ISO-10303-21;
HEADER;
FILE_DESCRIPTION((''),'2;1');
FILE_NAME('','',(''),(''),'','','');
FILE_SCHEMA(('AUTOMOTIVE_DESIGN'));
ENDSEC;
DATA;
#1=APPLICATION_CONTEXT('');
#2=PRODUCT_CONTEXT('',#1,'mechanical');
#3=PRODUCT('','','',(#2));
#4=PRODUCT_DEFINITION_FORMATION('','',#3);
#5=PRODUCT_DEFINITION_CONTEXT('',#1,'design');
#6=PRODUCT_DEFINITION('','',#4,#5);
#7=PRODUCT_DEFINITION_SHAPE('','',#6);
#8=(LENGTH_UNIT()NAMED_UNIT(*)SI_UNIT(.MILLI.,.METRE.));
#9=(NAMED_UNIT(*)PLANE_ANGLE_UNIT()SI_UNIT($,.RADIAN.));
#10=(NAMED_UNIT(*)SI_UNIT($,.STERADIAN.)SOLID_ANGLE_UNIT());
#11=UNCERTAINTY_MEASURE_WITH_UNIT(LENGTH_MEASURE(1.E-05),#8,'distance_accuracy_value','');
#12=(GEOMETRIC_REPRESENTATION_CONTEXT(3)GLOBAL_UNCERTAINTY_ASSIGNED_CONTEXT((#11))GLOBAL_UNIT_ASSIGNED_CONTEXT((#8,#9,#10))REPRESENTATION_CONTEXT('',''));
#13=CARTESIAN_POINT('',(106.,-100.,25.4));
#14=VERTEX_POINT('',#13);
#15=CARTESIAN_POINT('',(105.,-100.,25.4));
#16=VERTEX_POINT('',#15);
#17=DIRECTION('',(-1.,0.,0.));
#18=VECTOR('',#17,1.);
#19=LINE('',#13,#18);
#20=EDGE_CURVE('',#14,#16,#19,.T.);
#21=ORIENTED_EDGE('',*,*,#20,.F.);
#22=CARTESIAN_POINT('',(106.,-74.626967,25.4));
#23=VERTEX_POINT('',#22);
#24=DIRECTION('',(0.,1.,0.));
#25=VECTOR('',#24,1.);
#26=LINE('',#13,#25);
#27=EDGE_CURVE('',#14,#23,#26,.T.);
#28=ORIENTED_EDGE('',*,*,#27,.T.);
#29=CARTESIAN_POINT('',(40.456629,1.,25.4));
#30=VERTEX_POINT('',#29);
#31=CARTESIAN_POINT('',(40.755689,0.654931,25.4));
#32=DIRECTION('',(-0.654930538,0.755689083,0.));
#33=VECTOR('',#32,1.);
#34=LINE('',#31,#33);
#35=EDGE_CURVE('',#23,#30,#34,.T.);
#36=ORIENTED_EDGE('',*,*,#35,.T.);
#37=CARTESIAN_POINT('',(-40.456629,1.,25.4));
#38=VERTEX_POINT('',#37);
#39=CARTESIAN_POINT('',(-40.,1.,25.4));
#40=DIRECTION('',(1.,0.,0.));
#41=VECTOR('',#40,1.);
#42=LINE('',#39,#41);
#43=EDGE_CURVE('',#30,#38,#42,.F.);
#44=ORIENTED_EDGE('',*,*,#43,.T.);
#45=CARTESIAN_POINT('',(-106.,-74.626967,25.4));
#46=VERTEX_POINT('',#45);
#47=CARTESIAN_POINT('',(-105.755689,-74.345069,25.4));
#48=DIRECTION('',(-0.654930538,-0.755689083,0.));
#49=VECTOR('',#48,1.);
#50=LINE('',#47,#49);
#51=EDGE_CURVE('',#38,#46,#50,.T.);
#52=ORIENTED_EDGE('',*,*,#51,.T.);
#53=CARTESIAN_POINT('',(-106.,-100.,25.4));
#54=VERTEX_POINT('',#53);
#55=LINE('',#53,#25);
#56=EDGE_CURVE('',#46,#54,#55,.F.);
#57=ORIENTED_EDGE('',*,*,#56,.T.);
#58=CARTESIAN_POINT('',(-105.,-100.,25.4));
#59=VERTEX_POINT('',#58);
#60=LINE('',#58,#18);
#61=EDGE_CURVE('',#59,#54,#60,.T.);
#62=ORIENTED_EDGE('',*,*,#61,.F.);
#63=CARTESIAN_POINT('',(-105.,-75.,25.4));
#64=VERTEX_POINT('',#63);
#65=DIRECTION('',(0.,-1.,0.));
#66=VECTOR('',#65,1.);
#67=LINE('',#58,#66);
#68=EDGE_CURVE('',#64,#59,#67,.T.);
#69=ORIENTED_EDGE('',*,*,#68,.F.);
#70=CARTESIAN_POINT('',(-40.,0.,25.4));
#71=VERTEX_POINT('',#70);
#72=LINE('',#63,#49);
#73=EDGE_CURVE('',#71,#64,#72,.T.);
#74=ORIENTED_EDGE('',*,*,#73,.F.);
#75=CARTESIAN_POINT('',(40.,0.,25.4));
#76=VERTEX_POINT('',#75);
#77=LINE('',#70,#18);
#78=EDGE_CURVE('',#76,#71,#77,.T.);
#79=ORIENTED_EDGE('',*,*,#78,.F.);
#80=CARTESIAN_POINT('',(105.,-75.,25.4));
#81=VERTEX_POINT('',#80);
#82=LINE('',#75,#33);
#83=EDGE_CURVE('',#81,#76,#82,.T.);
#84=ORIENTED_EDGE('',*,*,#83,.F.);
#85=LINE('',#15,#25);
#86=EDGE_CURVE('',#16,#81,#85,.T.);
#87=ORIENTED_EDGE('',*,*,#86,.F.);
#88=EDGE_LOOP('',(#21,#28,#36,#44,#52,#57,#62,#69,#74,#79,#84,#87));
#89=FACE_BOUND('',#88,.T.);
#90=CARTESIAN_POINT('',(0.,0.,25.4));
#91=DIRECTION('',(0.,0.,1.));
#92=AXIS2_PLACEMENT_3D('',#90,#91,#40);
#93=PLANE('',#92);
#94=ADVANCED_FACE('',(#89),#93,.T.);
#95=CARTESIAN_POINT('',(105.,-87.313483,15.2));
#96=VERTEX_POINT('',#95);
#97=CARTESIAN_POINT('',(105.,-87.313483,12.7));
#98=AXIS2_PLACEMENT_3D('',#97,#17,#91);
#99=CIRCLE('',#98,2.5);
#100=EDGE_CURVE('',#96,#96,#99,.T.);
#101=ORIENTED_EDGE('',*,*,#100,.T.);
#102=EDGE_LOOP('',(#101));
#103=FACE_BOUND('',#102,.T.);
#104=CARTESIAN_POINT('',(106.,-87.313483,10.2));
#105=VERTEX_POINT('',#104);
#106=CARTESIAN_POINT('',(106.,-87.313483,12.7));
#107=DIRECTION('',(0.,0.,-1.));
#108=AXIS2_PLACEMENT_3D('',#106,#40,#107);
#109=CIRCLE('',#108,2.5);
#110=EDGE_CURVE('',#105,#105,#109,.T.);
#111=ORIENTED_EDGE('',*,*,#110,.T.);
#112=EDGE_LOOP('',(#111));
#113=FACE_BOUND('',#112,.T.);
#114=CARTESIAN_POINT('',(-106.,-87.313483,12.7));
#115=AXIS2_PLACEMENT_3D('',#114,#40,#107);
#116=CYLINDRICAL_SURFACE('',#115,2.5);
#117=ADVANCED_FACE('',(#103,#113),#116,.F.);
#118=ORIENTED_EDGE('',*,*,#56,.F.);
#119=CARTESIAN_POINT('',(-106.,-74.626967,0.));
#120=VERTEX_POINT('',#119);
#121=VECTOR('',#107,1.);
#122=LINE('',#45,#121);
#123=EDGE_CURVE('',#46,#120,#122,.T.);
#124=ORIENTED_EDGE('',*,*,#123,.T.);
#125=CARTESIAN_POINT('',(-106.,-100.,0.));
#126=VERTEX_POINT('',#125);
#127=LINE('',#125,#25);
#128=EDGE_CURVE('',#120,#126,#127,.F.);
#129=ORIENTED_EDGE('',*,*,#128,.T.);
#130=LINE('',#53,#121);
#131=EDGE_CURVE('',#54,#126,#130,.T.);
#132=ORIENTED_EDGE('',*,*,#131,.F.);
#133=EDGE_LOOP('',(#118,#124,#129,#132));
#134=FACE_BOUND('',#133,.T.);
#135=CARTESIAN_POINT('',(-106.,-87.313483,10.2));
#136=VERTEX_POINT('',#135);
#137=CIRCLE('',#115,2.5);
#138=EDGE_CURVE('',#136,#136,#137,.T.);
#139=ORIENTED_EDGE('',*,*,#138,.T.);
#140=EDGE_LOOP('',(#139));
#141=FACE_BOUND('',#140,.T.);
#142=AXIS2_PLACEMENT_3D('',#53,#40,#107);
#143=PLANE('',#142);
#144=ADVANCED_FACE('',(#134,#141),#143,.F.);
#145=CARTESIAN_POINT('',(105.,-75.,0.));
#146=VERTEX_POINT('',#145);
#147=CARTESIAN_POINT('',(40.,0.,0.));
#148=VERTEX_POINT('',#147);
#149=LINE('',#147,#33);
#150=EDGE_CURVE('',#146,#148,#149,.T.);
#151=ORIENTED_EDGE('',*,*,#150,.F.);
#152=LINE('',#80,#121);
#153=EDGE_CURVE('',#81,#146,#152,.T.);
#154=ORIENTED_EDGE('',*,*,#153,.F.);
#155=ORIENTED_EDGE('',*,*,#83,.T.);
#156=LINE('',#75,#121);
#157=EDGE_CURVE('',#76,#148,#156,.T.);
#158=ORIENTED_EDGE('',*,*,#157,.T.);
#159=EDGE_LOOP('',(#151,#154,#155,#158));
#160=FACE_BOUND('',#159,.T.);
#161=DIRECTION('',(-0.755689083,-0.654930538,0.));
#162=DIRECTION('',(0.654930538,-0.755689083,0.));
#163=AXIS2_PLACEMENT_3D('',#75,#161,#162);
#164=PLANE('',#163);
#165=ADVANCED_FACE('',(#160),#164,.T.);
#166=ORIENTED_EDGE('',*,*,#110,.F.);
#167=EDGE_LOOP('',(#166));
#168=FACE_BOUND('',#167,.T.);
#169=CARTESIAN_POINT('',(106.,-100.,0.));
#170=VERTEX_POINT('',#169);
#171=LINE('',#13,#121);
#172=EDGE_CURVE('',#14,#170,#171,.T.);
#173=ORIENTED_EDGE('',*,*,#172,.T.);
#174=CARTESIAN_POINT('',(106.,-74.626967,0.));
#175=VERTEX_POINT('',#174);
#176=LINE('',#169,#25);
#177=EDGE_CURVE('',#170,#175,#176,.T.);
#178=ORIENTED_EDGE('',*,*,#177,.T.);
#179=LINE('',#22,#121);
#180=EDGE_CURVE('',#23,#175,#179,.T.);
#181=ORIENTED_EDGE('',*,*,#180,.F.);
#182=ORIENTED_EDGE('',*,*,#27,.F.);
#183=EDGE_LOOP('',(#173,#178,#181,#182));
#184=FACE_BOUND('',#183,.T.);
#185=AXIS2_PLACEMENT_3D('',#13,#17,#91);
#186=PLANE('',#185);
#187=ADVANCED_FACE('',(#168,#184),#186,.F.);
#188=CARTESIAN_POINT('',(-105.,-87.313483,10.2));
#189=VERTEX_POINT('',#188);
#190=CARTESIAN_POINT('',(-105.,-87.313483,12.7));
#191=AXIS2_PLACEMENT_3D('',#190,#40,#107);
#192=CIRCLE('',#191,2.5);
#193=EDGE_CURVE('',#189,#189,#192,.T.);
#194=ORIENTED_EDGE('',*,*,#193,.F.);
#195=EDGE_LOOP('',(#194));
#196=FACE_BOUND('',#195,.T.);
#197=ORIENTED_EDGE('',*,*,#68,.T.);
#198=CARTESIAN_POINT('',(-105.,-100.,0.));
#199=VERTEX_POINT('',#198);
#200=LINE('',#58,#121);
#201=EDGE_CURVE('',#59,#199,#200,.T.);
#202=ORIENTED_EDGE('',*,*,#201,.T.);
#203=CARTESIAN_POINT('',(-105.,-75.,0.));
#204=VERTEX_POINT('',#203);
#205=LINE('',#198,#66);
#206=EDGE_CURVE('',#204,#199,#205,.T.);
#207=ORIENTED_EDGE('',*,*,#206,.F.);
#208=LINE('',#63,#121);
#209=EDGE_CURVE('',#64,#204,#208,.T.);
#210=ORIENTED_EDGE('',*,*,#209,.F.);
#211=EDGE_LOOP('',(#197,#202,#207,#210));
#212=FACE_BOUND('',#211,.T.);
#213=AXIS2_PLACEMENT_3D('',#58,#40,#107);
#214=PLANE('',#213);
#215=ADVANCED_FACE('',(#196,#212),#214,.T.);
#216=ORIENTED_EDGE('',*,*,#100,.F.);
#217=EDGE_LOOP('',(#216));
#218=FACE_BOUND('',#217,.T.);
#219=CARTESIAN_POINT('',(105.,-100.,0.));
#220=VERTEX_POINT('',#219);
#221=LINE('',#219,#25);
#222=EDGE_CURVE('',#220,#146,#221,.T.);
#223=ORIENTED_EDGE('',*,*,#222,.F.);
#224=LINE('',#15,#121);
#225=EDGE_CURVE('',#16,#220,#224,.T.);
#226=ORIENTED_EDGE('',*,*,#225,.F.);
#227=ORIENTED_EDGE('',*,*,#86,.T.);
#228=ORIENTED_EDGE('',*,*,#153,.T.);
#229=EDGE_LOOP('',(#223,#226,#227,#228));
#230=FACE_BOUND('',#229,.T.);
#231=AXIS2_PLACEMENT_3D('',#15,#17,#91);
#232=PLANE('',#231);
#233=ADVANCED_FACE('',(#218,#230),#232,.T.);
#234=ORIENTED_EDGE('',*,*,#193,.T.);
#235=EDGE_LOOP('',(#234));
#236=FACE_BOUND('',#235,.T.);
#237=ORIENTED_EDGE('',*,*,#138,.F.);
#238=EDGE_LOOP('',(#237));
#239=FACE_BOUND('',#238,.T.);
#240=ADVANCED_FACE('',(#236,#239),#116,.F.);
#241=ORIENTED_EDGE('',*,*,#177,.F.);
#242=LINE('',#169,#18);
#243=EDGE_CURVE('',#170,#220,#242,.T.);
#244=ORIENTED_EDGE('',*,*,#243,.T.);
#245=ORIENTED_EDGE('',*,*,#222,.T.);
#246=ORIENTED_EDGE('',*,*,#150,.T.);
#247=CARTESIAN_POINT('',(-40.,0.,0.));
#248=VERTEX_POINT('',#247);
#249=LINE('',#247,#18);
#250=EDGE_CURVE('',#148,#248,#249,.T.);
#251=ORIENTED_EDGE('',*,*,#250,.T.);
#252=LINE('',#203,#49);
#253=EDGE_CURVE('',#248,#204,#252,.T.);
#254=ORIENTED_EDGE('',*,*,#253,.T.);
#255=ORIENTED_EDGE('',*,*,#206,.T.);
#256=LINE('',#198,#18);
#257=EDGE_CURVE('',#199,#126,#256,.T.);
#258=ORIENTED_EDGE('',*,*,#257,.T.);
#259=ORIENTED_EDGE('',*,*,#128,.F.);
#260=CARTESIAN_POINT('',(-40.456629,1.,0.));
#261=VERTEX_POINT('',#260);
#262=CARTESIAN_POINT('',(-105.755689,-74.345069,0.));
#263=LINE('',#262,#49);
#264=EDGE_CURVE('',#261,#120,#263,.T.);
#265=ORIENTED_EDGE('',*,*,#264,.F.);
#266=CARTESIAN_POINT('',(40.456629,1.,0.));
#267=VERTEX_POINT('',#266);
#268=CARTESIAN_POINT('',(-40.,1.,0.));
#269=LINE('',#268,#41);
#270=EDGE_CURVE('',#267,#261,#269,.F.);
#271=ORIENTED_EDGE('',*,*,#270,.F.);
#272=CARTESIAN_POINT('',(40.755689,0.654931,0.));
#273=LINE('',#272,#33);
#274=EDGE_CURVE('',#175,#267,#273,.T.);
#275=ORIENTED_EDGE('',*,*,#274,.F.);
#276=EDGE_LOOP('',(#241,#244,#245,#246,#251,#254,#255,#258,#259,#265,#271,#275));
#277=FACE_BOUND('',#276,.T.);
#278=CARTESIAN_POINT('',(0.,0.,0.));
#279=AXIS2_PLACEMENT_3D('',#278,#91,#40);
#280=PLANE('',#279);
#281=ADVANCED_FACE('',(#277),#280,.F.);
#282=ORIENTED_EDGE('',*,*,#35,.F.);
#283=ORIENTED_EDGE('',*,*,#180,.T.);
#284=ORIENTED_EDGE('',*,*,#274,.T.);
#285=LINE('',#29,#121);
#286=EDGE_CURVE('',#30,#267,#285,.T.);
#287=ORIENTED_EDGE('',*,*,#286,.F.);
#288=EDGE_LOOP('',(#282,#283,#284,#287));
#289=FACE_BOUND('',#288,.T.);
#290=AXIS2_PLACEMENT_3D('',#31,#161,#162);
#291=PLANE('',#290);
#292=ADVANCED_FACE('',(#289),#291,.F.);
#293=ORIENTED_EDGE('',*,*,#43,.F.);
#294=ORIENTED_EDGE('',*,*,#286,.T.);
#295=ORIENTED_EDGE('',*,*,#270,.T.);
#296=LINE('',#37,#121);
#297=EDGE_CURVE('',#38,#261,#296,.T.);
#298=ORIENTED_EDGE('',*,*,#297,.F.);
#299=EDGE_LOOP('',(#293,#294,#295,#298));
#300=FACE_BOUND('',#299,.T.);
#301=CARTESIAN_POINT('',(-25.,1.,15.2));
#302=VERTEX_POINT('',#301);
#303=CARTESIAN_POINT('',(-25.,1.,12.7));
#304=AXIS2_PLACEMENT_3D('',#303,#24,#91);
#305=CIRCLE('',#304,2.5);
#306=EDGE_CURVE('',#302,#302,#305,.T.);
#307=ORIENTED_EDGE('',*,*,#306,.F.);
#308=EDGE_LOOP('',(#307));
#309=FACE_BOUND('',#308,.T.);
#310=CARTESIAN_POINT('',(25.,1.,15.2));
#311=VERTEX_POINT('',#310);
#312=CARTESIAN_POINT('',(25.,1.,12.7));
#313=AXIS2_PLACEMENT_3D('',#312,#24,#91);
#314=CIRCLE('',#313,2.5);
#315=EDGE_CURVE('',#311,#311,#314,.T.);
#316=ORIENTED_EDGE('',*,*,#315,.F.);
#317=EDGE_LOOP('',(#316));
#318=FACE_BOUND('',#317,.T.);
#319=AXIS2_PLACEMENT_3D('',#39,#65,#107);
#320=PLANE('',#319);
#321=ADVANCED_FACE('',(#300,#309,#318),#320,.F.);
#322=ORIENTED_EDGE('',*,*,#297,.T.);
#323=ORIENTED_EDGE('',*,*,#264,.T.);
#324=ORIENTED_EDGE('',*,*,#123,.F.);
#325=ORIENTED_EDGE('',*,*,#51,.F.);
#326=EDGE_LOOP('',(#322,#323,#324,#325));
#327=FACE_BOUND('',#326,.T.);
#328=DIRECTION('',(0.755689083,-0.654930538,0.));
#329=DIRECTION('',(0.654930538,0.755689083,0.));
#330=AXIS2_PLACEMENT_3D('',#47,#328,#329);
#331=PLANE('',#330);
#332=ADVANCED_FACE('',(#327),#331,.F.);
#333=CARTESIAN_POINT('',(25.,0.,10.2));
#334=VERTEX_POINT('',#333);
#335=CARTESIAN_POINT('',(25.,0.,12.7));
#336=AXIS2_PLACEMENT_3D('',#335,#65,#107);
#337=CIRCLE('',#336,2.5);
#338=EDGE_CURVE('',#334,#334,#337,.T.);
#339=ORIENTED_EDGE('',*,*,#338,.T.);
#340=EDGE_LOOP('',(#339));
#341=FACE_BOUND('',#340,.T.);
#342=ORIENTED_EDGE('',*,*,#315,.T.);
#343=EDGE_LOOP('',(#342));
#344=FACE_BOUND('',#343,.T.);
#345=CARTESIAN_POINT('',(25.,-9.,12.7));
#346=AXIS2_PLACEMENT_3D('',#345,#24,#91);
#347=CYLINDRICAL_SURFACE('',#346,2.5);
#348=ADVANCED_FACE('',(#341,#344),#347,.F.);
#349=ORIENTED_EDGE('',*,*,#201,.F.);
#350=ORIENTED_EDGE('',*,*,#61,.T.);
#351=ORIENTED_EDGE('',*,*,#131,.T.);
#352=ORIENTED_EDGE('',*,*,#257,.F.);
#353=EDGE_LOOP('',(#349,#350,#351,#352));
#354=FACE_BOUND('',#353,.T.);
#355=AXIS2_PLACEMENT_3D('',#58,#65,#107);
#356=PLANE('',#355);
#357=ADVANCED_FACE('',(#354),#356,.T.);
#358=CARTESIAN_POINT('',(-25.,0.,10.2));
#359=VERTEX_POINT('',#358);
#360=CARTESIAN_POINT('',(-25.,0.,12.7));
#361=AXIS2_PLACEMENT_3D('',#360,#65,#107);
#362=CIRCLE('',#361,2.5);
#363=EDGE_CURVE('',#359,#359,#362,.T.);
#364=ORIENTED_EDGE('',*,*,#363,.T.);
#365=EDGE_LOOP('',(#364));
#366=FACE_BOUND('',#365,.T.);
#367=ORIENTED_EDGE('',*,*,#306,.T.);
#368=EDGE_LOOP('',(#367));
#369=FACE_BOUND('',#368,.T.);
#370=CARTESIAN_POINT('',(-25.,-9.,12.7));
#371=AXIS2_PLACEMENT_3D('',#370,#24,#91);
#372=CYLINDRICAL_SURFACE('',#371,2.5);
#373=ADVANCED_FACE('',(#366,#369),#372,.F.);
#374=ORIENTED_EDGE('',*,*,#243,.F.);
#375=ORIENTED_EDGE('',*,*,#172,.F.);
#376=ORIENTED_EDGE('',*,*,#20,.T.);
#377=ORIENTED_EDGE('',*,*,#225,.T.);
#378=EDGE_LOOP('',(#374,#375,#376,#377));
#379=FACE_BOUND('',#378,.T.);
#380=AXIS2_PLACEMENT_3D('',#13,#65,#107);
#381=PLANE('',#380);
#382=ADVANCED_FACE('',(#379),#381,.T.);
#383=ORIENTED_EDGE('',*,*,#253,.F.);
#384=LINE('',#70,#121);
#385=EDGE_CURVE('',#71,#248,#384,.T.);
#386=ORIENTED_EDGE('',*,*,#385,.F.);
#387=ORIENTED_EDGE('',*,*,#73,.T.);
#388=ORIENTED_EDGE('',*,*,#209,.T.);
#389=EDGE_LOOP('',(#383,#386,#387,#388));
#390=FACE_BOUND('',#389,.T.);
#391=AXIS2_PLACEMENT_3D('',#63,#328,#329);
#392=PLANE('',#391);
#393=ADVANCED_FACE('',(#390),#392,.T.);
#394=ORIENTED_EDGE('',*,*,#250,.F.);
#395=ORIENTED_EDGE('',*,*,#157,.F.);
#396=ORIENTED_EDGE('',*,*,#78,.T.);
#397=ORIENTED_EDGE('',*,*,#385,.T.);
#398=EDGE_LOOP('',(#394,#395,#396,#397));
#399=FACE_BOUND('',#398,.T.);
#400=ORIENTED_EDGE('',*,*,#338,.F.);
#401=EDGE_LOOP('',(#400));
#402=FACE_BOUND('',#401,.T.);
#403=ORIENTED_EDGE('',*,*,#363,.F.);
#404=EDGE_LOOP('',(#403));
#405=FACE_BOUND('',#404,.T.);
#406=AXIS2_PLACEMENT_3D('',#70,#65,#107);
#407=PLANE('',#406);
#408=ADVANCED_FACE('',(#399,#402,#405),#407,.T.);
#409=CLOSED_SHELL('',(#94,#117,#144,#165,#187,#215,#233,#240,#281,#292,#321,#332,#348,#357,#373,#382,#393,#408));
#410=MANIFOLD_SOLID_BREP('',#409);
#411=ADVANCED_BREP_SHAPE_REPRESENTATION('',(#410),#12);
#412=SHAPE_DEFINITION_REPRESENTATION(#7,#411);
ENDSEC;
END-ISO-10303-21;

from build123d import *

# Parameters (mm, degrees)
EXTRUDE_THIN1_DEPTH     = 25.4
SKETCH3_R               = 2.5
CUT_EXTRUDE1_DEPTH      = 10
CUT_EXTRUDE2_DEPTH      = 148.922817712
CUT_EXTRUDE2_DEPTH_BACK = 148.922817712
SKETCH4_R               = 2.5


with BuildPart() as part:
    # Sketch2 → Extrude-Thin1 (new body)
    with BuildSketch(Plane.XY):
        Polygon((-105, -100), (-105, -75), (-40, 0), (40, 0), (105, -75), (105, -100), (106, -100), (106, -74.626966674), (40.456628883, 1), (-40.456628883, 1), (-106, -74.626966674), (-106, -100), align=None)
    extrude(amount=EXTRUDE_THIN1_DEPTH)

    # Sketch3 → Cut-Extrude1 (cut)
    with BuildSketch(Plane(origin=(0, 1, 0), x_dir=(1, 0, 0), z_dir=(0, 1, 0))):
        with Locations(Location((-25, -12.7, 0), (0, 0, 270))):
            Circle(SKETCH3_R)
        with Locations(Location((25, -12.7, 0), (0, 0, 270))):
            Circle(SKETCH3_R)
    extrude(amount=-CUT_EXTRUDE1_DEPTH, mode=Mode.SUBTRACT)

    # Sketch4 → Cut-Extrude2 (cut, two sides: drawn at the far end of the back side and taken through both)
    with BuildSketch(Plane(origin=(0, 0, 0), x_dir=(0, 0, -1), z_dir=(1, 0, 0)).offset(-CUT_EXTRUDE2_DEPTH_BACK)):
        with Locations((-12.7, -87.313483337)):
            Circle(SKETCH4_R)
    extrude(amount=CUT_EXTRUDE2_DEPTH + CUT_EXTRUDE2_DEPTH_BACK, mode=Mode.SUBTRACT)


solid = part.part
